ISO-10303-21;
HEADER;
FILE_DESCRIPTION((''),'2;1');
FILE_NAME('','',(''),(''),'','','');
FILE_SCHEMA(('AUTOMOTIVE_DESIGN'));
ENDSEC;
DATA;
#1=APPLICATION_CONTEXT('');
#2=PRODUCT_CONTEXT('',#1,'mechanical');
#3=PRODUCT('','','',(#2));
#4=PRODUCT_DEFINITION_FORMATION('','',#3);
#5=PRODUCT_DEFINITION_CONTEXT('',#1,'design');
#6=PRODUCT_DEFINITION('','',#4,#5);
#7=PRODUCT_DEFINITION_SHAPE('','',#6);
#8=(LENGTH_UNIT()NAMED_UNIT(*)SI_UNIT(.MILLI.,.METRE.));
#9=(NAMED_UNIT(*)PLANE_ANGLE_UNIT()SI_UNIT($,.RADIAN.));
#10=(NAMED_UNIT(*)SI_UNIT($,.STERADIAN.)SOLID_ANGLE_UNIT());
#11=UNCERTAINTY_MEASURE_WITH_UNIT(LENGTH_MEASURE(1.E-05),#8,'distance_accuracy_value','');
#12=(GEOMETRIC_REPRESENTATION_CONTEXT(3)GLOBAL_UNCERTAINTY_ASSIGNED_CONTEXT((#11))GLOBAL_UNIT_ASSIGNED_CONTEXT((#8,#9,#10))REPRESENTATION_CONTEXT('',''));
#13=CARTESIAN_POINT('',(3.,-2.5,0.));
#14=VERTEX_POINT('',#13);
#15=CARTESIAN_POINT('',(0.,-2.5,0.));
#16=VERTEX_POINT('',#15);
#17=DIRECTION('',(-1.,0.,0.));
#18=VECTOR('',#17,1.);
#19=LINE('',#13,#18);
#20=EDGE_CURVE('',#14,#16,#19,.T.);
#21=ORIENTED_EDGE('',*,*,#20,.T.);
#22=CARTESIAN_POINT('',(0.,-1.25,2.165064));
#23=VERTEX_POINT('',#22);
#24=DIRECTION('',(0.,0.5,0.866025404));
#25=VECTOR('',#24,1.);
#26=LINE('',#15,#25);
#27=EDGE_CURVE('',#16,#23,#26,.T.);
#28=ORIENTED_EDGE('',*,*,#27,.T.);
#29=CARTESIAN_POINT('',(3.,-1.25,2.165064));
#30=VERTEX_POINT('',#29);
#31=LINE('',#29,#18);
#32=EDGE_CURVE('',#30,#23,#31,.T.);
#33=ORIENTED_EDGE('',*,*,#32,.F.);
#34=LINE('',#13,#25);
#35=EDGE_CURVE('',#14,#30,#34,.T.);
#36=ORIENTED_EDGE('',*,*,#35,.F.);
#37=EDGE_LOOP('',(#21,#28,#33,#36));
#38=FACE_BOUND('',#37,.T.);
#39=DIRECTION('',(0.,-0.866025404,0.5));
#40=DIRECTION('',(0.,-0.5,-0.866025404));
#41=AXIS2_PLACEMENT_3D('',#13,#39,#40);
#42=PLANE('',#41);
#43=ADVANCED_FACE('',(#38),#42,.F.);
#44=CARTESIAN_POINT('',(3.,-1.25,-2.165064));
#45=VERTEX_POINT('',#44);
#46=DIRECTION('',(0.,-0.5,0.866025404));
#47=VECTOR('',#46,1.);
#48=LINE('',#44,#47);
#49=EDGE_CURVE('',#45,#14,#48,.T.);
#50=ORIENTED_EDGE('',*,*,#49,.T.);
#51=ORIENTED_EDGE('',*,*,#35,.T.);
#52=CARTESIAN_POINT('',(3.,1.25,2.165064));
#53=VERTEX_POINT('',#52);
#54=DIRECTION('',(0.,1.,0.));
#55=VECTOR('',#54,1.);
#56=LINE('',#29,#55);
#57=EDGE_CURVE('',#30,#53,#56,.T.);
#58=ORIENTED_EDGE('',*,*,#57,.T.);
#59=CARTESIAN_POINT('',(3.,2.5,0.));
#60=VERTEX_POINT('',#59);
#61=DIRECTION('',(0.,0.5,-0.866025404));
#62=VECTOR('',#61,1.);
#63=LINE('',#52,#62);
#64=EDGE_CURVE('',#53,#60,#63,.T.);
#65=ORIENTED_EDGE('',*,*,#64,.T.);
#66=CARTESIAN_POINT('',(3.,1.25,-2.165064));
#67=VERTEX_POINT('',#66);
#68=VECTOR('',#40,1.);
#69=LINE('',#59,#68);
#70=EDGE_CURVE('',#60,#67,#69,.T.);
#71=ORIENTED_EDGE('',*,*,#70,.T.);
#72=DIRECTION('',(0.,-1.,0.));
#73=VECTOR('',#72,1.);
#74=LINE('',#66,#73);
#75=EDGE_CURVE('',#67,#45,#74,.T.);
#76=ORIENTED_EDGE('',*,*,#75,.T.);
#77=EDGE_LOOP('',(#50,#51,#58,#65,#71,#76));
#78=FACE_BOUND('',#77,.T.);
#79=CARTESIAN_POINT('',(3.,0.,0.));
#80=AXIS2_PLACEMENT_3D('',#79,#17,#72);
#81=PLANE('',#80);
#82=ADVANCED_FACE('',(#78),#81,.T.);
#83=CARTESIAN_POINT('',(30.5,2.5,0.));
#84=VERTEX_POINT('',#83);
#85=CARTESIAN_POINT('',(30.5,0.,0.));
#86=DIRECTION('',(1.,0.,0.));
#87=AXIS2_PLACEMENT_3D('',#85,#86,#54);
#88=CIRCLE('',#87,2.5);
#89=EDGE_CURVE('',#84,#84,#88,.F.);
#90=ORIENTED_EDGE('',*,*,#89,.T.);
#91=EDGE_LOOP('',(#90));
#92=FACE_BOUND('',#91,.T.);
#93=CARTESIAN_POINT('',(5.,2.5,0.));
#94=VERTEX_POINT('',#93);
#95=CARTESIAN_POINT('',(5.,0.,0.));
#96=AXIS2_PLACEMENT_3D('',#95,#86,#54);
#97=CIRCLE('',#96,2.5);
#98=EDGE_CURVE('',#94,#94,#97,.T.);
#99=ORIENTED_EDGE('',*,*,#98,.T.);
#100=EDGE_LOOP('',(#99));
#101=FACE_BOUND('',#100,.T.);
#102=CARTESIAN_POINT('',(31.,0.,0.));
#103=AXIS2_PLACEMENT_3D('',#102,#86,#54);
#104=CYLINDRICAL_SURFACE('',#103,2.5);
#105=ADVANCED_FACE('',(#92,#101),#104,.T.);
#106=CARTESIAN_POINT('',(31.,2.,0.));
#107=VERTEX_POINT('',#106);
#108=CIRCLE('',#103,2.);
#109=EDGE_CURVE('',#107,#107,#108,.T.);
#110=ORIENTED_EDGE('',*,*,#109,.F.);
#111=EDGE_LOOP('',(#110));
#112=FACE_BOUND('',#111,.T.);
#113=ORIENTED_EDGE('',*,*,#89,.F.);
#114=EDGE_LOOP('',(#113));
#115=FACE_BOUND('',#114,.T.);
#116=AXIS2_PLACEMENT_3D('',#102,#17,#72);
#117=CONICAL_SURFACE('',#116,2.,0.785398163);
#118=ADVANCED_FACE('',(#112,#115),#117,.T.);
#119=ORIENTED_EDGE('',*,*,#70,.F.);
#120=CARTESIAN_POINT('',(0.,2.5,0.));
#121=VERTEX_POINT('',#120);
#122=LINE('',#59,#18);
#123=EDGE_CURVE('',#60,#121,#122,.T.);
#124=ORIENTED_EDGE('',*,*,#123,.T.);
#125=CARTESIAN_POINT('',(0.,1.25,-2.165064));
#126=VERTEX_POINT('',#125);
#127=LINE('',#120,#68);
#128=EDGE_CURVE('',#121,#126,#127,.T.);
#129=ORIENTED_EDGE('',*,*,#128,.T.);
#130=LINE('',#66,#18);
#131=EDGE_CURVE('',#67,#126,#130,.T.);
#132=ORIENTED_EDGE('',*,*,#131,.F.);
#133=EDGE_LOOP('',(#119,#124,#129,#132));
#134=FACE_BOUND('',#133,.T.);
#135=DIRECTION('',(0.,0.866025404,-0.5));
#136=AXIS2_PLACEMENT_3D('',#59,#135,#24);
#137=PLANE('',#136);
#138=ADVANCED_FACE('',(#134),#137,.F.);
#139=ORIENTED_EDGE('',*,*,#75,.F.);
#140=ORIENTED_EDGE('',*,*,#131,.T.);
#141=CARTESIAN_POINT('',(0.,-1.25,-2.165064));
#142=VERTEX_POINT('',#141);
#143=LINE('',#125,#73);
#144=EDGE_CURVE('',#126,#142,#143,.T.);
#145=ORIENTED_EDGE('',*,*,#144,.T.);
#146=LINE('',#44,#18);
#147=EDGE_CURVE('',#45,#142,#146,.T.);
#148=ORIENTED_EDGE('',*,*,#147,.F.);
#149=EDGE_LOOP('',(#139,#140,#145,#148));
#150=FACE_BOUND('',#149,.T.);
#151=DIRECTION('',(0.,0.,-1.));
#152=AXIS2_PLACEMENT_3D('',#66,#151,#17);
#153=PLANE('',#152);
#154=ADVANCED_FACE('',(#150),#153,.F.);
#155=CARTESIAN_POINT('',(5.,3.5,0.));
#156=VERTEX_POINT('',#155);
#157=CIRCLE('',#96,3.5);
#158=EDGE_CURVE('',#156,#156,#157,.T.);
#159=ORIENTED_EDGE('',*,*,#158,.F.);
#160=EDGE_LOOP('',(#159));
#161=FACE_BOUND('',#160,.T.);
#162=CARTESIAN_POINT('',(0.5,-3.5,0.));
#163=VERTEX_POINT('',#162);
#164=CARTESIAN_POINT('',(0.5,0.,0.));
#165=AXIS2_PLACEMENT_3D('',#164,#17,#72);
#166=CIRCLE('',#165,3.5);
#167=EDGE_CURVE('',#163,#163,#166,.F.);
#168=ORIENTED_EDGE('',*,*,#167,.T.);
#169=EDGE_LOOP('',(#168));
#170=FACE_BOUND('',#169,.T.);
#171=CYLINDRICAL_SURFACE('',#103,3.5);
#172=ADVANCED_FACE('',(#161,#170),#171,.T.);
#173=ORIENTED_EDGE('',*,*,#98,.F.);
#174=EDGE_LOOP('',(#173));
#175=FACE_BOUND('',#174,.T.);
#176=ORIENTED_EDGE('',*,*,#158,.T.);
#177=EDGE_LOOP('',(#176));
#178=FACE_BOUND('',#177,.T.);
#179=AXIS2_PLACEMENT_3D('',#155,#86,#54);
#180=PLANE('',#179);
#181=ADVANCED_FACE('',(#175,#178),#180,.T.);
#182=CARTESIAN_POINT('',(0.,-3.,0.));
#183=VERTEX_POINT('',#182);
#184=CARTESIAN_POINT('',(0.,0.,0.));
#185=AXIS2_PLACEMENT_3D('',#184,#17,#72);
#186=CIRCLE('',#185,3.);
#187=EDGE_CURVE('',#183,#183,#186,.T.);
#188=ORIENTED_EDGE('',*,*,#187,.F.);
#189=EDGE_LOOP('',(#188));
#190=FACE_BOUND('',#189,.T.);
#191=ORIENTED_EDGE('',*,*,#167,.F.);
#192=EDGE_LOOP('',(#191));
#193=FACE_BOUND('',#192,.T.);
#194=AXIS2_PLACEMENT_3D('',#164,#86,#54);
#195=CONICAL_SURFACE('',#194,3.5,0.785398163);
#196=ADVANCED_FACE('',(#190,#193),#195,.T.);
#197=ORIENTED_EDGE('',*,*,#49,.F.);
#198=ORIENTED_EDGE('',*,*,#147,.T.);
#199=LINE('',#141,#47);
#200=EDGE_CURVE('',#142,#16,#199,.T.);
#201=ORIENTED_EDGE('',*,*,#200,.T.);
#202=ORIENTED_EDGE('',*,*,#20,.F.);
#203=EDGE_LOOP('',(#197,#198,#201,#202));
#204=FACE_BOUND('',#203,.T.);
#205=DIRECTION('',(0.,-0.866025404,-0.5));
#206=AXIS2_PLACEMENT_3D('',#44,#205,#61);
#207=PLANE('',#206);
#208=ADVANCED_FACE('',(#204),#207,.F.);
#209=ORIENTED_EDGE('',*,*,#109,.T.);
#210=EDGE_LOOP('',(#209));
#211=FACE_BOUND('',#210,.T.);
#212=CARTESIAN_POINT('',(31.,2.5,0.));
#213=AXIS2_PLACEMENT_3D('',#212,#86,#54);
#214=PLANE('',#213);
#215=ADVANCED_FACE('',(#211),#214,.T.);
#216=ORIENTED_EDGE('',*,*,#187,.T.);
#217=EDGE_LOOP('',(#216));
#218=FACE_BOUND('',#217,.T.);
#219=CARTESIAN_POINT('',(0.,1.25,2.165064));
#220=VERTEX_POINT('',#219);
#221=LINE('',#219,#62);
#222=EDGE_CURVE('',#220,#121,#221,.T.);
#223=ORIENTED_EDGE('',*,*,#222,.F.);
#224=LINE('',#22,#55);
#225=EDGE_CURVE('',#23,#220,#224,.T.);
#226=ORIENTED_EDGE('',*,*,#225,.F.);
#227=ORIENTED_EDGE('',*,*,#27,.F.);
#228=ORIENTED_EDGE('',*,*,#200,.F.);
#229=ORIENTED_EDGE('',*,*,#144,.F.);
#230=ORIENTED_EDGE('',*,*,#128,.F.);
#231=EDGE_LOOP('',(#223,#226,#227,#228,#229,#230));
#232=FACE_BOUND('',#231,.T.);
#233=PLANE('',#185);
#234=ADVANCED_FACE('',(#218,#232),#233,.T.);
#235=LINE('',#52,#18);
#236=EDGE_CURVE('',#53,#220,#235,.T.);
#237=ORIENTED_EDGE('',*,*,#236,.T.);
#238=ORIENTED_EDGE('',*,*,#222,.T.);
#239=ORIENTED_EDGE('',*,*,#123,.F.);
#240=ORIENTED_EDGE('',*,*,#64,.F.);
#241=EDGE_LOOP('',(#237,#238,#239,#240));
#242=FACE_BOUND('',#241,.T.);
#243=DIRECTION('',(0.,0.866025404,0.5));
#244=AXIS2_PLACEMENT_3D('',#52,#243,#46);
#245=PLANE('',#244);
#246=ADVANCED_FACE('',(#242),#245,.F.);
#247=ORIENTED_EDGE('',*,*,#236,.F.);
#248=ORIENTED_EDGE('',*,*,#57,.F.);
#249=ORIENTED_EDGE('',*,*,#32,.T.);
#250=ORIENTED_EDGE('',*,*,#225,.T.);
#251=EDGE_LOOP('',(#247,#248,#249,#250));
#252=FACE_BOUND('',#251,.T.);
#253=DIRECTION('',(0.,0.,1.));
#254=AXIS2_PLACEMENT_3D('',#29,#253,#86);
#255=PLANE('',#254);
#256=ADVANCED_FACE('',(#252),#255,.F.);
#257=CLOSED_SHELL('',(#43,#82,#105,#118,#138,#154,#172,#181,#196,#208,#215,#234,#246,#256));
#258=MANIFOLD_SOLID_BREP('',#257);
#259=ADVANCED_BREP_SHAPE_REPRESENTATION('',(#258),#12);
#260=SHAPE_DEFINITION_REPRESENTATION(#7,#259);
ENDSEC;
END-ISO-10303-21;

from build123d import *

# Parameters (mm, degrees)
CUT_EXTRUDE1_DEPTH = 3
CHAMFER1_SIZE      = 0.5


with BuildPart() as part:
    # Sketch1 → Revolve1 (revolve)
    with BuildSketch(Plane.XY):
        Polygon((0, 0), (0, 3.5), (5, 3.5), (5, 2.5), (31, 2.5), (31, 0), align=None)
    revolve(axis=Axis((31, 0, 0), (-1, 0, 0)))

    # Sketch2 → Cut-Extrude1 (cut)
    with BuildSketch(Plane.ZY):
        Polygon((0, 2.5), (-2.165063509, 1.25), (-2.165063509, -1.25), (0, -2.5), (2.165063509, -1.25), (2.165063509, 1.25), align=None)
    extrude(amount=-CUT_EXTRUDE1_DEPTH, mode=Mode.SUBTRACT)

    # Chamfer1
    chamfer1_edges = [part.edges().sort_by_distance(p)[0] for p in [
        (31, -2.5, 0),
        (0, -3.5, 0),
    ]]
    chamfer(chamfer1_edges, length=CHAMFER1_SIZE)


solid = part.part
